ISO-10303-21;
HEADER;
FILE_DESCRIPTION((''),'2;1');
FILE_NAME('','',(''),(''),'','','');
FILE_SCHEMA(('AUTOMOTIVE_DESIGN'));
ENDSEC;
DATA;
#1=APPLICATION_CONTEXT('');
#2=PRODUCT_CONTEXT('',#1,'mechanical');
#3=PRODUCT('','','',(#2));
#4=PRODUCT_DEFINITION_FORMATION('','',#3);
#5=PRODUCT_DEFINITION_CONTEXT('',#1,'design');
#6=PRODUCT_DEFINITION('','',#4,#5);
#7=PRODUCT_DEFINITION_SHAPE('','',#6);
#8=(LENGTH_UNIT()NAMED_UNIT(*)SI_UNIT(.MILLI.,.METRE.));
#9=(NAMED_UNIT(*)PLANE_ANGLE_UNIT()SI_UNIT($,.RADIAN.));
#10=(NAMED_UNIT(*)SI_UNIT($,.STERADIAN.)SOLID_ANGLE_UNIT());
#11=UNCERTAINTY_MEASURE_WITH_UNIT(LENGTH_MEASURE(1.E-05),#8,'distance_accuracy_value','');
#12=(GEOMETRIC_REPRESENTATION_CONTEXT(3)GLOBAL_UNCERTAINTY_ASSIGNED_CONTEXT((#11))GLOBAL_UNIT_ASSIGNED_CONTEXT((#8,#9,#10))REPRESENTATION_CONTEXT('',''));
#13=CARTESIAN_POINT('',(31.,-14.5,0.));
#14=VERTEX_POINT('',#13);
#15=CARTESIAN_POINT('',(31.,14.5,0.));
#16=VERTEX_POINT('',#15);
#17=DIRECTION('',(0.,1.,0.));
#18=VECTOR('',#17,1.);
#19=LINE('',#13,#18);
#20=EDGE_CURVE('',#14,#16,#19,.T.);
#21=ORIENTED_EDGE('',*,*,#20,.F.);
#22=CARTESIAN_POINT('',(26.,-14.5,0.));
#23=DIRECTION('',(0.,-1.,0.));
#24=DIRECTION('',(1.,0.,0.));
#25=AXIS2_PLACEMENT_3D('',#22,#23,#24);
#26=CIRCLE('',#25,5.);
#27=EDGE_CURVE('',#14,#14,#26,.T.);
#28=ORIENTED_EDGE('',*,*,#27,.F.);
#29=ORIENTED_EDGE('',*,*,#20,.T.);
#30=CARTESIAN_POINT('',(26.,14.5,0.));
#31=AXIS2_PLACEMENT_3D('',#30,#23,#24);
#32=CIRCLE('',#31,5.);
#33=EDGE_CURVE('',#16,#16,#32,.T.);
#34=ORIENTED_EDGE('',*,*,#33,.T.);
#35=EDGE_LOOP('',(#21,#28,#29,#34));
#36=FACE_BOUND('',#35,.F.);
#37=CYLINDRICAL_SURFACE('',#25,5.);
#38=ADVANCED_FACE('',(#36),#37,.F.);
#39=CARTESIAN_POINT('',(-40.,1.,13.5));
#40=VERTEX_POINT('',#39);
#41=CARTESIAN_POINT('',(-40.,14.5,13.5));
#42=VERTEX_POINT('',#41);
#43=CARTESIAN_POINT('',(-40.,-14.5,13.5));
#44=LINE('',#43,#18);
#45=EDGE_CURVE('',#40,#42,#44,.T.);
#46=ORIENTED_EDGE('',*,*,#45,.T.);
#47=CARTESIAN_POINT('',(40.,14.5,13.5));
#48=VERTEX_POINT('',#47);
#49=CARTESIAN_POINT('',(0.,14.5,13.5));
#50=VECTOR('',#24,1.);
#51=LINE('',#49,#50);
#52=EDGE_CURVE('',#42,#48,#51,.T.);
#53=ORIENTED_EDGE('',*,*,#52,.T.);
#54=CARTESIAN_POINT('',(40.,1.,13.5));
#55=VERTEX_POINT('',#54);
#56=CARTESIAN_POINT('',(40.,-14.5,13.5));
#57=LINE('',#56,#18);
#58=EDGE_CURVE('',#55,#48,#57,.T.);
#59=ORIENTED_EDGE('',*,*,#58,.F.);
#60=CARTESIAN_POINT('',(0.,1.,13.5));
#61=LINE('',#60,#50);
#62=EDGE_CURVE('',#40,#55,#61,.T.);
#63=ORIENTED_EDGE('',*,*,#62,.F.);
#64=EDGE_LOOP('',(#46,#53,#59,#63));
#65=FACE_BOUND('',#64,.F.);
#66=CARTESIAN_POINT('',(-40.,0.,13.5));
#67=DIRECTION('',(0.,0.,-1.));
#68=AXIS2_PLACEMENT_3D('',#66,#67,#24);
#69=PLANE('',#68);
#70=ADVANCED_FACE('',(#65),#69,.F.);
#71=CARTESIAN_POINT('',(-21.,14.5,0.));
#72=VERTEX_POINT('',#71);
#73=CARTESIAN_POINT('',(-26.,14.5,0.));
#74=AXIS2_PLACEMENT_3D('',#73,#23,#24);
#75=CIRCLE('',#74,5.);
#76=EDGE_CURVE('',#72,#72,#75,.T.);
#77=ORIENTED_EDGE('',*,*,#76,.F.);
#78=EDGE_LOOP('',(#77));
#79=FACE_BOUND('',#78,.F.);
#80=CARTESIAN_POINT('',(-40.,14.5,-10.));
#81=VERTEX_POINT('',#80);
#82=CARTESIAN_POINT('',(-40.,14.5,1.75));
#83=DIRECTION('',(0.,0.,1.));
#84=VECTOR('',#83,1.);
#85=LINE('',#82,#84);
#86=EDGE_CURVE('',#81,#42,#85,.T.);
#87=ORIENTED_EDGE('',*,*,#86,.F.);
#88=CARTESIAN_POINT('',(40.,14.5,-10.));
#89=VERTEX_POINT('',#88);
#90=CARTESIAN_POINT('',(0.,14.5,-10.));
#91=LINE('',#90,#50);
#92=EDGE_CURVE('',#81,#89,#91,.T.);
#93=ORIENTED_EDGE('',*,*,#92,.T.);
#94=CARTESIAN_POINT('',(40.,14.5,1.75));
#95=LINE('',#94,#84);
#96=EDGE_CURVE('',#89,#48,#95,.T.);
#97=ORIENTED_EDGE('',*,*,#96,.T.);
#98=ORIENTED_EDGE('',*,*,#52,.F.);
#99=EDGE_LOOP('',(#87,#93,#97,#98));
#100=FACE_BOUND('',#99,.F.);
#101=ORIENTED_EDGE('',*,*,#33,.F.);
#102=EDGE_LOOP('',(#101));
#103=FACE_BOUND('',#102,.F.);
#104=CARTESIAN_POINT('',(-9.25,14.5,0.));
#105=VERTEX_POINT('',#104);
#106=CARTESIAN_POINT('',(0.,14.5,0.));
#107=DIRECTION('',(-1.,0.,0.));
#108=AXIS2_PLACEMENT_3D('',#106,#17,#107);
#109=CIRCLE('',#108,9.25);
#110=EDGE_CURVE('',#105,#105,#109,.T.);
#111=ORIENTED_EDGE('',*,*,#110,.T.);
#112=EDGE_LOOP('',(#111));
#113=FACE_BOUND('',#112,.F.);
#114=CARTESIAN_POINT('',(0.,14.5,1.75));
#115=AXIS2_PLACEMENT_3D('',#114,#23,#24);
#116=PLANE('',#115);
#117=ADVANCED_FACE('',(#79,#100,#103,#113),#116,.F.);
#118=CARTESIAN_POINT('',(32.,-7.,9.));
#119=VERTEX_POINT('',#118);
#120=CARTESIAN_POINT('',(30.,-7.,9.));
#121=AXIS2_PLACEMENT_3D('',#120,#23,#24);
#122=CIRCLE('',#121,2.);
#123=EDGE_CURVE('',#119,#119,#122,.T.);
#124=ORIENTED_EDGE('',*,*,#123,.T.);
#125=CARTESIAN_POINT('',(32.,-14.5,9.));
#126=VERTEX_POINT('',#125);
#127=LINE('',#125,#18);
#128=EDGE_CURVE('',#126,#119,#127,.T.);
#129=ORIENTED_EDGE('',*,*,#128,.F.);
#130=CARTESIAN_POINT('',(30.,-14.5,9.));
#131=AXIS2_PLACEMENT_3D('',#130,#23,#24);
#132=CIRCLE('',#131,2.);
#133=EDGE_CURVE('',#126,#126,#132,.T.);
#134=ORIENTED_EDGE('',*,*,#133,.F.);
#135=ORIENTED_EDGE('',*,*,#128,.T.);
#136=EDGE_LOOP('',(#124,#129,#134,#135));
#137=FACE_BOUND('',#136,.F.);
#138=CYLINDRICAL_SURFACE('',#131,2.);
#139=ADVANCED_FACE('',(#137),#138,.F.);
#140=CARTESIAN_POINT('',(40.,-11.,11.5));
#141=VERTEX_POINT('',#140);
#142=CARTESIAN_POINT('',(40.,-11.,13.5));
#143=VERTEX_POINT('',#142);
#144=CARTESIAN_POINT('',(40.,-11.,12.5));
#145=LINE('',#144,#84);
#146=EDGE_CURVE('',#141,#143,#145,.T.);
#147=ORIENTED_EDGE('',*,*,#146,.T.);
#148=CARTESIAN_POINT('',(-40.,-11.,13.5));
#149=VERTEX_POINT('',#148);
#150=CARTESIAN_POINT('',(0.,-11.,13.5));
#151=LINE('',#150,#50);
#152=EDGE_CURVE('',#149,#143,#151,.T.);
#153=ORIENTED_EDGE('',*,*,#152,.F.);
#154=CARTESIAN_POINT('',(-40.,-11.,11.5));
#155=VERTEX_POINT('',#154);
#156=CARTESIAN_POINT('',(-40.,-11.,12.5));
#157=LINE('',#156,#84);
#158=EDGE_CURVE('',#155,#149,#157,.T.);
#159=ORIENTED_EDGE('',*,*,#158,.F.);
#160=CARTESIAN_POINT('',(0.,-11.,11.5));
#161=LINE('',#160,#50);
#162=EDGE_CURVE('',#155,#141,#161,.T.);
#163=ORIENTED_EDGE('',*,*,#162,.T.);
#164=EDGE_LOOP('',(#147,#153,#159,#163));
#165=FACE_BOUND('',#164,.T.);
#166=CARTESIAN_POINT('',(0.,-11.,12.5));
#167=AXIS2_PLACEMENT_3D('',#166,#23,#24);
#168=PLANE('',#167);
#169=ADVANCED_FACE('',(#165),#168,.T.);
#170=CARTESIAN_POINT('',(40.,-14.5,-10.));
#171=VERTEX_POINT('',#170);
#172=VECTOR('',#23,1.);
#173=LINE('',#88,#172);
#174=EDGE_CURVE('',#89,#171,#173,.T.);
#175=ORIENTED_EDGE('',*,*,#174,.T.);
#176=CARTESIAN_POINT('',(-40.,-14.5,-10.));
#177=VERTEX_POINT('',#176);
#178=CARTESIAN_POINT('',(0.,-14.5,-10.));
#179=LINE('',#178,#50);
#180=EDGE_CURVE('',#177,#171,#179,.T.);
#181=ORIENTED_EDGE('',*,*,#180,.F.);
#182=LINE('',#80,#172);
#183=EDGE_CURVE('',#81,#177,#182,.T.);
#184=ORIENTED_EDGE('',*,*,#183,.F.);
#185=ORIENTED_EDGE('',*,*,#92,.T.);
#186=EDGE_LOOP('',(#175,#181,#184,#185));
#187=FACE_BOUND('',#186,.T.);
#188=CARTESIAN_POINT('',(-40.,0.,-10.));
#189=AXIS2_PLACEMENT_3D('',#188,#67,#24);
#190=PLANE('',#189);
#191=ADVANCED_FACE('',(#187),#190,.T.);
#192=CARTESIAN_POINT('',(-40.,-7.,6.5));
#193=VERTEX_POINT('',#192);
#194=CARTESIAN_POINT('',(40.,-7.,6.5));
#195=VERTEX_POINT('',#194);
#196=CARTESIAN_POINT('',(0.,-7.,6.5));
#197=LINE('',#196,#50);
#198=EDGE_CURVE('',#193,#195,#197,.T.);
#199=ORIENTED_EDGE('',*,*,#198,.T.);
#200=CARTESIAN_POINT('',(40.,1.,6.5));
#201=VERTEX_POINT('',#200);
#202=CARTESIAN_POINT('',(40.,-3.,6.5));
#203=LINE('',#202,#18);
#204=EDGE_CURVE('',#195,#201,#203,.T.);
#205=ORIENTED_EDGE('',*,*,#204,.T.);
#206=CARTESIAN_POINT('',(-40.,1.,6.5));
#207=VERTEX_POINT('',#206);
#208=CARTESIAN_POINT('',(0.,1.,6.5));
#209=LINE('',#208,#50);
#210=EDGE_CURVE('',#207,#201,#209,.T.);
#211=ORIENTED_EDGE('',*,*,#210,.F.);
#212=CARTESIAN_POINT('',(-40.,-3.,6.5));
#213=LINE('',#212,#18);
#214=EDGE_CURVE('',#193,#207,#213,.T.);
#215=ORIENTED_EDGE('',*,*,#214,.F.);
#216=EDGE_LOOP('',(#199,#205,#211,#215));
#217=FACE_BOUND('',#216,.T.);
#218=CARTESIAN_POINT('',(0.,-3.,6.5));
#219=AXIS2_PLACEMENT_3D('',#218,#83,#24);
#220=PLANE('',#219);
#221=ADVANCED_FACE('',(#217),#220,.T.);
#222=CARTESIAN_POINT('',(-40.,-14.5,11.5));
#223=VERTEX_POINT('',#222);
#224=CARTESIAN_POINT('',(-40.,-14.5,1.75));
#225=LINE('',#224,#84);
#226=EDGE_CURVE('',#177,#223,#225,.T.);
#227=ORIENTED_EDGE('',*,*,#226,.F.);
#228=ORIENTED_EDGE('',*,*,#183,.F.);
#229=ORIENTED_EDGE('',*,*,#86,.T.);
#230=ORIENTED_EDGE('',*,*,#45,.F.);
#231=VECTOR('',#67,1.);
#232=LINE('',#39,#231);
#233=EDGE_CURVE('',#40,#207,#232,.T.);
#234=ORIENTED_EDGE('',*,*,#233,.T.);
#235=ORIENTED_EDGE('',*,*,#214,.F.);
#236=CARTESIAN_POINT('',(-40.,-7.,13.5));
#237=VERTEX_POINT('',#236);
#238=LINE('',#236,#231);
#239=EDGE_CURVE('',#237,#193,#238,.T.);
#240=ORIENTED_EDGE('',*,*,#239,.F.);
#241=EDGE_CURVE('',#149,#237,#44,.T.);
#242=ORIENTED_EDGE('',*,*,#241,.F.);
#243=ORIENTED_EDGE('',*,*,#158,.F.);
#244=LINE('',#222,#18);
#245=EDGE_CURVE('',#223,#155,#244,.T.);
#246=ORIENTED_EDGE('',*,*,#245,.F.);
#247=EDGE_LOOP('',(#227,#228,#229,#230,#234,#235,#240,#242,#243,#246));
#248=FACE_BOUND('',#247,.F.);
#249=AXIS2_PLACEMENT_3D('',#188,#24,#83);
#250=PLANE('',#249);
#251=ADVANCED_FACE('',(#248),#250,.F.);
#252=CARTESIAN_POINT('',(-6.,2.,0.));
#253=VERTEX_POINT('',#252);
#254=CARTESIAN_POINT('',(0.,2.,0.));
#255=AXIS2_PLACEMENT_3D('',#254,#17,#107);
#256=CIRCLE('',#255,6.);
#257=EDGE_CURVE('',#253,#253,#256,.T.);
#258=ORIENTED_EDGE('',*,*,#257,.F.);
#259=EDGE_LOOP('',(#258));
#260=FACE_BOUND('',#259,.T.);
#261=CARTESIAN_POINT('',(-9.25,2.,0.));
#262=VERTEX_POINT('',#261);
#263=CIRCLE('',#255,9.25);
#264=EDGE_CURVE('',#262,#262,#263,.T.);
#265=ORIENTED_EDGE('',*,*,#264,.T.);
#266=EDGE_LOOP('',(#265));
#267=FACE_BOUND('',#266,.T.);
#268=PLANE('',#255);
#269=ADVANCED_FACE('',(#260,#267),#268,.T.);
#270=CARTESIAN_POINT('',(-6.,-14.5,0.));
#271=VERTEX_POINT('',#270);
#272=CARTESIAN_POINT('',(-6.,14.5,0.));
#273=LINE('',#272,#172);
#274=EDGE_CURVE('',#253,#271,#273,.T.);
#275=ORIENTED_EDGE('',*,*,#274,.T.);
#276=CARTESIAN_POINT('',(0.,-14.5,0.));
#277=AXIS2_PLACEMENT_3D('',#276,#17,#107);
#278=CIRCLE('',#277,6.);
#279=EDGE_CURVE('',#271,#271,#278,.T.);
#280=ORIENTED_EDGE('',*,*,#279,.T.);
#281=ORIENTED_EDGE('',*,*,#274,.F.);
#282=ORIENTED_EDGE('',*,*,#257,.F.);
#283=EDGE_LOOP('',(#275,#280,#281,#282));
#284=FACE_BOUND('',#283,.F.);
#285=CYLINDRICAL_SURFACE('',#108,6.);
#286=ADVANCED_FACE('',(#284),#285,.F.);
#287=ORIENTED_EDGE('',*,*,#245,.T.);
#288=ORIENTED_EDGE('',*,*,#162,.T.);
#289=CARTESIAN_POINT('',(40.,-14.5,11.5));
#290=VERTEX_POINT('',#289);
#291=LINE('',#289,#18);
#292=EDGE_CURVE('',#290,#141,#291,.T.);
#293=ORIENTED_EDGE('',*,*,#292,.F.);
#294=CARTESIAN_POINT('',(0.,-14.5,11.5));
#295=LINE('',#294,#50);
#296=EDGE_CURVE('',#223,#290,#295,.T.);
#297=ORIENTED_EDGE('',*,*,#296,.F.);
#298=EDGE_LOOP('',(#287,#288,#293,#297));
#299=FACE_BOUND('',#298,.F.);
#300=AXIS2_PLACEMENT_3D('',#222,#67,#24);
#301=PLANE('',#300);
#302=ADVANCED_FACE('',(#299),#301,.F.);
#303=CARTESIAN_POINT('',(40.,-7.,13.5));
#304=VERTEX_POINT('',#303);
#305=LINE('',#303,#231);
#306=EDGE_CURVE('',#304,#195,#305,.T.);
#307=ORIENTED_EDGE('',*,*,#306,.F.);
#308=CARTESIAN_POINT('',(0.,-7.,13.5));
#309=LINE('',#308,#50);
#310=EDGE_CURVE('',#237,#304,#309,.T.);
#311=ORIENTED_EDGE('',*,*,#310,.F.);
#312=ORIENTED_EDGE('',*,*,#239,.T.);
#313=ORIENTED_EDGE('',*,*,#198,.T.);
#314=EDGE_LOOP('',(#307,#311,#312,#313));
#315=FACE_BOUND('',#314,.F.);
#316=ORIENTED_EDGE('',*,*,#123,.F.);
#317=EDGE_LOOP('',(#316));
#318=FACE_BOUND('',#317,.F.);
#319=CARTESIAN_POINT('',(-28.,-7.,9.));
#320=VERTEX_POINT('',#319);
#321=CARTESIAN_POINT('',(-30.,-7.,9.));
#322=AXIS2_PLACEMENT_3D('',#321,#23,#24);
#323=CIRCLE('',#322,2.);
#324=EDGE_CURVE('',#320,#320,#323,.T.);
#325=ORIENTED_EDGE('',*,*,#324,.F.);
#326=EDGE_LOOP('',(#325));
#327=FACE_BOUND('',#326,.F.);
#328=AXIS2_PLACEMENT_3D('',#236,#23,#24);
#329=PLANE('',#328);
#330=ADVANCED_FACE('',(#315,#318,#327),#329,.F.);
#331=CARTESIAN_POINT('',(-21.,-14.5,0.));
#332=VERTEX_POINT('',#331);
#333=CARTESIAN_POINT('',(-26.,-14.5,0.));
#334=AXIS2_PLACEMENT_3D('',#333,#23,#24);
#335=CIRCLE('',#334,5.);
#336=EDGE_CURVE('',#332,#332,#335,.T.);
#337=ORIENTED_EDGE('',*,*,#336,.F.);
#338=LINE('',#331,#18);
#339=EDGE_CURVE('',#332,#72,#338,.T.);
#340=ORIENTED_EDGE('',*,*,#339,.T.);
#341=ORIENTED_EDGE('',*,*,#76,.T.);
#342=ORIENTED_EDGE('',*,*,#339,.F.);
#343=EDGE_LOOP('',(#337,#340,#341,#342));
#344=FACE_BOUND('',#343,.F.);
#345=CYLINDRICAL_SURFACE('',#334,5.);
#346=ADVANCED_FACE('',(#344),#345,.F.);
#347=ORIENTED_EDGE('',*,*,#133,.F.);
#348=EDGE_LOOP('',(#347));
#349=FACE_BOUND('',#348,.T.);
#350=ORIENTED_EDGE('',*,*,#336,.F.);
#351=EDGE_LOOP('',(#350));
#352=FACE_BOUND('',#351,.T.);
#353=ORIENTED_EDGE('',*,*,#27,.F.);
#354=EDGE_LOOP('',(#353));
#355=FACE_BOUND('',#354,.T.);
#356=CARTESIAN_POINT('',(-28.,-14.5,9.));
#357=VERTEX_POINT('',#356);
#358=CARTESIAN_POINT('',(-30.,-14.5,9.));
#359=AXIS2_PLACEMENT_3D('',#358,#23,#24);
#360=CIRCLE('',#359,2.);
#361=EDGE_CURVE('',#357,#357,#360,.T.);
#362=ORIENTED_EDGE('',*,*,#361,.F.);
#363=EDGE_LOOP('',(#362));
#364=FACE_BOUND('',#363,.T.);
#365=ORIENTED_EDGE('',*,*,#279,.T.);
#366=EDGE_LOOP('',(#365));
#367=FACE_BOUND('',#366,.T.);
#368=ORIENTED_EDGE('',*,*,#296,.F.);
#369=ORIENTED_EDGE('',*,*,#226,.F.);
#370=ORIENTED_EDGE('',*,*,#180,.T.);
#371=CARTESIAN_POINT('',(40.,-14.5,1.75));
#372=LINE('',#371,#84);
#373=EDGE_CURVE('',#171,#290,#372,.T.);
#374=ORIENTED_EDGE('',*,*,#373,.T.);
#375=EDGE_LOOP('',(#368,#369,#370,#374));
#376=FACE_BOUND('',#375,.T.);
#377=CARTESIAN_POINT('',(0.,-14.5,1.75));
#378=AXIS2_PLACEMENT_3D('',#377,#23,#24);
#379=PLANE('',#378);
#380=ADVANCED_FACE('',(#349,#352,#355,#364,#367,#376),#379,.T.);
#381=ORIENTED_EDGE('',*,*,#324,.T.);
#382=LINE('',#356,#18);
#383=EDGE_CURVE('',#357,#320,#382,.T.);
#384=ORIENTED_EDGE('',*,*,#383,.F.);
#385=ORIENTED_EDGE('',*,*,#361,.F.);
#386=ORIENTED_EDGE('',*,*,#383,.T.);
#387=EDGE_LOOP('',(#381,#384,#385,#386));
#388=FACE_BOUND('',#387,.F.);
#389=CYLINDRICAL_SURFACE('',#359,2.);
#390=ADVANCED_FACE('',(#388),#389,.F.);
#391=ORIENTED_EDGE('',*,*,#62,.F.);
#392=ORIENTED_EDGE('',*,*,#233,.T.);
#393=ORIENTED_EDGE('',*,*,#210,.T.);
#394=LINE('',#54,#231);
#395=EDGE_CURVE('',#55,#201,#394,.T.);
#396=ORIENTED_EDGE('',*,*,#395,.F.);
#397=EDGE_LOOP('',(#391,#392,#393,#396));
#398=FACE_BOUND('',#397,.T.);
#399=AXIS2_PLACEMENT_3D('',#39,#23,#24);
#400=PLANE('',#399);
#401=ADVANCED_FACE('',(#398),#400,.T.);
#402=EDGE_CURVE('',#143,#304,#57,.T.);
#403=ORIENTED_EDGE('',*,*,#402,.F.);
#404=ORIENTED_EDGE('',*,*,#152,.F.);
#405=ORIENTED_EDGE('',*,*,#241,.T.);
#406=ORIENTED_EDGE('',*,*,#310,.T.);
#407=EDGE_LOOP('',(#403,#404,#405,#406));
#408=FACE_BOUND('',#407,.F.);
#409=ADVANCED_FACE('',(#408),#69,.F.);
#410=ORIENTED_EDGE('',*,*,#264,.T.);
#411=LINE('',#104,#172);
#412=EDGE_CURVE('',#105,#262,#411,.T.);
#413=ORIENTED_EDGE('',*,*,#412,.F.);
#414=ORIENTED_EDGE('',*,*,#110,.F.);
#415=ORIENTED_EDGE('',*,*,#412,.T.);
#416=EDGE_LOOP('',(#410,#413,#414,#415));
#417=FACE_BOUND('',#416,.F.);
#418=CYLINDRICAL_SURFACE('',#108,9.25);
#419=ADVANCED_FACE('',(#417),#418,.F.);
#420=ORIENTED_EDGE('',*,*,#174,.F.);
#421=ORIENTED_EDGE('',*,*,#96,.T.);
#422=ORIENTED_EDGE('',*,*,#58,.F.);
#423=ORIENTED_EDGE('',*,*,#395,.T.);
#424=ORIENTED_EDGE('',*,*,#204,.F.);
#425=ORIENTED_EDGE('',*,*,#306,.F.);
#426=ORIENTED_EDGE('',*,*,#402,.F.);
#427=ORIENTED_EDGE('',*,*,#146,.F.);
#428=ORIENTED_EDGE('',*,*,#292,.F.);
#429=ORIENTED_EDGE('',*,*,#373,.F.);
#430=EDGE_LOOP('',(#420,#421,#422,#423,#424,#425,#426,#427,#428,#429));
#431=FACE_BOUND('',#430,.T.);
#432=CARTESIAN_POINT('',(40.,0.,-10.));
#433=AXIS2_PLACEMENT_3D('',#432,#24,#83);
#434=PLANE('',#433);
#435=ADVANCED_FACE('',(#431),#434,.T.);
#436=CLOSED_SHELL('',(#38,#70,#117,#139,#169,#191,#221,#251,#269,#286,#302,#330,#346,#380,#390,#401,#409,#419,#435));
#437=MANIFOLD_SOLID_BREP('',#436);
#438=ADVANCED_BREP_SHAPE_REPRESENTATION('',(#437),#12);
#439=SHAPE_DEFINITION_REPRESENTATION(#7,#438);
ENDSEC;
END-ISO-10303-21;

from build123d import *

# Parameters (mm, degrees)
F0_W      = 80
F0_H      = 23.5
F1_DEPTH  = 14.5
F2_W      = 80
F2_H      = 2
F3_DEPTH  = 3.5
F4_R      = 6
F5_DEPTH  = 29.001
F6_R      = 9.25
F7_DEPTH  = 12.5
F8_R      = 5
F9_DEPTH  = 29.001
F10_W     = 80
F10_H     = 8
F11_DEPTH = 7
F12_R     = 2
F13_DEPTH = 8


with BuildPart() as f1:
    # F0 (on Front) → F1 (new body, symmetric)
    with BuildSketch(Plane.XZ):
        with Locations((0, 1.75)):
            Rectangle(F0_W, F0_H)
    extrude(amount=F1_DEPTH, both=True)

    # F2 (on face) → F3 (cut)
    with BuildSketch(Plane.XZ.offset(14.5)):
        with Locations((0, 12.5)):
            Rectangle(F2_W, F2_H)
    extrude(amount=-F3_DEPTH, mode=Mode.SUBTRACT)

    # F4 (on face) → F5 (cut, through all)
    with BuildSketch(Plane(origin=(0, 14.5, 0), x_dir=(-1, 0, 0), z_dir=(0, 1, 0))):
        Circle(F4_R)
    extrude(amount=-F5_DEPTH, mode=Mode.SUBTRACT)

    # F6 (on face) → F7 (cut)
    with BuildSketch(Plane(origin=(0, 14.5, 0), x_dir=(-1, 0, 0), z_dir=(0, 1, 0))):
        Circle(F6_R)
    extrude(amount=-F7_DEPTH, mode=Mode.SUBTRACT)

    # F8 (on face) → F9 (cut, through all)
    with BuildSketch(Plane.XZ.offset(14.5)):
        with Locations((-26, 0)):
            Circle(F8_R)
        with Locations((26, 0)):
            Circle(F8_R)
    extrude(amount=-F9_DEPTH, mode=Mode.SUBTRACT)

    # F10 (on face) → F11 (cut)
    with BuildSketch(Plane.XY.offset(13.5)):
        with Locations((0, -3)):
            Rectangle(F10_W, F10_H)
    extrude(amount=-F11_DEPTH, mode=Mode.SUBTRACT)

    # F12 (on face) → F13 (cut)
    with BuildSketch(Plane.XZ.offset(14.5)):
        with Locations((-30, 9)):
            Circle(F12_R)
        with Locations((30, 9)):
            Circle(F12_R)
    extrude(amount=-F13_DEPTH, mode=Mode.SUBTRACT)


solid = f1.part
